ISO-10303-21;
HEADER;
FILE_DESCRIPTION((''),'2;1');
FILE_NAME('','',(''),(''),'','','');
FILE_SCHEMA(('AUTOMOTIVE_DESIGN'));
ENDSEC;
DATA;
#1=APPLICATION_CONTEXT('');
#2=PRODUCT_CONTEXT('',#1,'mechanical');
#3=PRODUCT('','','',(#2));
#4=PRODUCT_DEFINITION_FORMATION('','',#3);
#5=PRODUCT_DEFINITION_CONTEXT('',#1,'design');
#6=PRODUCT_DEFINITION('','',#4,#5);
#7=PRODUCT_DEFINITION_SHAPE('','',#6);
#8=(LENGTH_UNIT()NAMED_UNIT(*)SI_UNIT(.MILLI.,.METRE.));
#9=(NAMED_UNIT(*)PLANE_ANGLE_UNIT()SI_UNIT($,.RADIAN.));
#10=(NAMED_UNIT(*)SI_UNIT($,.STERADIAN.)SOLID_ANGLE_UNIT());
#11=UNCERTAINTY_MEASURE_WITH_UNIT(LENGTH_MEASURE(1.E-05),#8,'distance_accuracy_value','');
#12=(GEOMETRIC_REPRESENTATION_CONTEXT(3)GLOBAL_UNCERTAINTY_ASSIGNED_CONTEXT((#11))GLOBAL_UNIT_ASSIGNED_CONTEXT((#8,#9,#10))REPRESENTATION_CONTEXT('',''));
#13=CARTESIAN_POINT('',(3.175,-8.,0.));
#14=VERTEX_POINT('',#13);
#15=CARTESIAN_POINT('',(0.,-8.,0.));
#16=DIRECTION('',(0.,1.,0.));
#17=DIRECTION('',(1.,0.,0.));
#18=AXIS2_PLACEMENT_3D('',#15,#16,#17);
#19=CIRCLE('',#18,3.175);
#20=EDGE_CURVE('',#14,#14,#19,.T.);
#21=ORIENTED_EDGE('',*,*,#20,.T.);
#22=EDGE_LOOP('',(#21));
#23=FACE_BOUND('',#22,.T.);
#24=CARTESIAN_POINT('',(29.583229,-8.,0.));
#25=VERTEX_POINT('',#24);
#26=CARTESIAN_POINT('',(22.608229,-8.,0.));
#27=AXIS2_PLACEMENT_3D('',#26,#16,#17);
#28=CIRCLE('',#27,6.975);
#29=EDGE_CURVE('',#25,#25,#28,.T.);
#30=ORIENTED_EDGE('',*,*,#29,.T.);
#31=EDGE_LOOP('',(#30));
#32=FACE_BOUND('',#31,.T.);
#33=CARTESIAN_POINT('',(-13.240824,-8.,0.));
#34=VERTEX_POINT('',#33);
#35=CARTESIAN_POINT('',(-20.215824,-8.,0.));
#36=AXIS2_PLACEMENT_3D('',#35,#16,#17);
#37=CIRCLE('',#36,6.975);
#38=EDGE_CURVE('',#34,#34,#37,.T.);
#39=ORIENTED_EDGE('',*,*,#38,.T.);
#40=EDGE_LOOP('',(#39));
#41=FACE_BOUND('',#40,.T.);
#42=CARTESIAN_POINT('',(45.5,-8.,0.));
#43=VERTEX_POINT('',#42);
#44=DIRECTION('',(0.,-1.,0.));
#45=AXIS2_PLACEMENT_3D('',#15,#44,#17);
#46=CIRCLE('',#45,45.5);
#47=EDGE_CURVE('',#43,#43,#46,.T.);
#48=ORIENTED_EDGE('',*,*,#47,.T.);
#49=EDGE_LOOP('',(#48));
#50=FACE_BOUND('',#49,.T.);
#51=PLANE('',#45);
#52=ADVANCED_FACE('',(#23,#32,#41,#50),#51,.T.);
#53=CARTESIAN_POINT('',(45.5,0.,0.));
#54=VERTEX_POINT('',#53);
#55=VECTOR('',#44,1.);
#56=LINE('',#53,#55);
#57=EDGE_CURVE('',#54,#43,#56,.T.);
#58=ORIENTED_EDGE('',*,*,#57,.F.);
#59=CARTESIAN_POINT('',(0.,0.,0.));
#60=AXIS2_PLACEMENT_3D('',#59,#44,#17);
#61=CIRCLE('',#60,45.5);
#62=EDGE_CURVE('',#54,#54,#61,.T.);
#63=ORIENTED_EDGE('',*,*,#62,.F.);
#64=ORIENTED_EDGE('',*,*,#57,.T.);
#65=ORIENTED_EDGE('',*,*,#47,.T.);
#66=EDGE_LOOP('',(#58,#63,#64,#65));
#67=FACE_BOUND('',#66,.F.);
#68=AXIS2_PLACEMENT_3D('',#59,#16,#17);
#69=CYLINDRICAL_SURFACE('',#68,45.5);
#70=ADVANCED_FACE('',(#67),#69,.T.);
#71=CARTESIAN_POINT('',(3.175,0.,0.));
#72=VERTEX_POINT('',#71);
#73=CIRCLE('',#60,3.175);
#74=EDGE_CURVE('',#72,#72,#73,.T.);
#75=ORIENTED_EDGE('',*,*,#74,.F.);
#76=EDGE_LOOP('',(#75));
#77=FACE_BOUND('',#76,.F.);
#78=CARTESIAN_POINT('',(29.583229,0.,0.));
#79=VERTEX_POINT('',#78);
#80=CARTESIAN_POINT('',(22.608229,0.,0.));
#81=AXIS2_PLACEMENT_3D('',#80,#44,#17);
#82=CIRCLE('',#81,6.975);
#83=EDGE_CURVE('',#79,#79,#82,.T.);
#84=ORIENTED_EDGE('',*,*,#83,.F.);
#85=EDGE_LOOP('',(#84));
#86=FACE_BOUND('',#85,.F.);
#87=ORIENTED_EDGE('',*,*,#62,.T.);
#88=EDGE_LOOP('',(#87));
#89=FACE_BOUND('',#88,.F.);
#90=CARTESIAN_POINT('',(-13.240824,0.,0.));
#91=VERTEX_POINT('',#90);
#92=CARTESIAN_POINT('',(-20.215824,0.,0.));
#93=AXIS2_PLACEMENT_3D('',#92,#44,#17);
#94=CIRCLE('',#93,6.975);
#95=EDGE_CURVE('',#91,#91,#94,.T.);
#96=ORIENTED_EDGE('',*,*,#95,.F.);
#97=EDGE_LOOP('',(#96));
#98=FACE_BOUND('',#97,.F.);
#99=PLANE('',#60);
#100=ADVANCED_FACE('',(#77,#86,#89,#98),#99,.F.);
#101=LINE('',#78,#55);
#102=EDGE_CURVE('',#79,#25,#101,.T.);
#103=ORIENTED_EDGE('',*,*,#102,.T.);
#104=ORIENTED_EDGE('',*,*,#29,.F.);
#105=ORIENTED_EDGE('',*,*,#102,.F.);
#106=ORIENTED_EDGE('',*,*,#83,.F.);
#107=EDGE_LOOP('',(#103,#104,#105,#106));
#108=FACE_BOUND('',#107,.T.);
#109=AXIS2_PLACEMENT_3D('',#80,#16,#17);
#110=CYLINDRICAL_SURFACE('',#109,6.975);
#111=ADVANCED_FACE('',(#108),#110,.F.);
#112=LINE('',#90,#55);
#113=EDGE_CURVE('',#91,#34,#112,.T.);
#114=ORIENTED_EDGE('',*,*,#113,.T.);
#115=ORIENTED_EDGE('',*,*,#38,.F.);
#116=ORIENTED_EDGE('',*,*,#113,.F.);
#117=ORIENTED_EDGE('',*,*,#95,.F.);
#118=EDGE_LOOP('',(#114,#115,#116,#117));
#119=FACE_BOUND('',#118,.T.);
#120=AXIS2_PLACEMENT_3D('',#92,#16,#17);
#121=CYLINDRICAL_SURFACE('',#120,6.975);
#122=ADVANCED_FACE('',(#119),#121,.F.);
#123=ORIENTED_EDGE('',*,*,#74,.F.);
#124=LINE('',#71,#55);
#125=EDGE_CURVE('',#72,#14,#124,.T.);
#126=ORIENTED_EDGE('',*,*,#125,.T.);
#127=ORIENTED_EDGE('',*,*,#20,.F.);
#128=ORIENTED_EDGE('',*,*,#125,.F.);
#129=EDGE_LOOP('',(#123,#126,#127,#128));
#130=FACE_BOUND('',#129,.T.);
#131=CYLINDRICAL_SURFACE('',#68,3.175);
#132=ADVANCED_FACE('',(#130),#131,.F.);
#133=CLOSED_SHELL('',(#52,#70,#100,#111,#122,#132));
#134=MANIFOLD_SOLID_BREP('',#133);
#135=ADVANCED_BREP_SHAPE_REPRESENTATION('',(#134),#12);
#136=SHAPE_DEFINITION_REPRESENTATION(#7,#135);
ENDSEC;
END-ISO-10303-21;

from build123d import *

# Parameters (mm, degrees)
F0_R     = 45.5
F2_DEPTH = 8
F1_R     = 3.175
F3_DEPTH = 8.001
F4_R     = 6.975
F5_DEPTH = 25


with BuildPart() as f2:
    # F0 (on Front) → F2 (new body)
    with BuildSketch(Plane.XZ):
        Circle(F0_R)
    extrude(amount=F2_DEPTH)

    # F1 (on Front) → F3 (cut, through all)
    with BuildSketch(Plane.XZ):
        Circle(F1_R)
    extrude(amount=F3_DEPTH, mode=Mode.SUBTRACT)

    # F4 (on Front) → F5 (cut)
    with BuildSketch(Plane.XZ):
        with Locations((-20.215824, 0)):
            Circle(F4_R)
        with Locations((22.608229, 0)):
            Circle(F4_R)
    extrude(amount=F5_DEPTH, mode=Mode.SUBTRACT)


solid = f2.part
